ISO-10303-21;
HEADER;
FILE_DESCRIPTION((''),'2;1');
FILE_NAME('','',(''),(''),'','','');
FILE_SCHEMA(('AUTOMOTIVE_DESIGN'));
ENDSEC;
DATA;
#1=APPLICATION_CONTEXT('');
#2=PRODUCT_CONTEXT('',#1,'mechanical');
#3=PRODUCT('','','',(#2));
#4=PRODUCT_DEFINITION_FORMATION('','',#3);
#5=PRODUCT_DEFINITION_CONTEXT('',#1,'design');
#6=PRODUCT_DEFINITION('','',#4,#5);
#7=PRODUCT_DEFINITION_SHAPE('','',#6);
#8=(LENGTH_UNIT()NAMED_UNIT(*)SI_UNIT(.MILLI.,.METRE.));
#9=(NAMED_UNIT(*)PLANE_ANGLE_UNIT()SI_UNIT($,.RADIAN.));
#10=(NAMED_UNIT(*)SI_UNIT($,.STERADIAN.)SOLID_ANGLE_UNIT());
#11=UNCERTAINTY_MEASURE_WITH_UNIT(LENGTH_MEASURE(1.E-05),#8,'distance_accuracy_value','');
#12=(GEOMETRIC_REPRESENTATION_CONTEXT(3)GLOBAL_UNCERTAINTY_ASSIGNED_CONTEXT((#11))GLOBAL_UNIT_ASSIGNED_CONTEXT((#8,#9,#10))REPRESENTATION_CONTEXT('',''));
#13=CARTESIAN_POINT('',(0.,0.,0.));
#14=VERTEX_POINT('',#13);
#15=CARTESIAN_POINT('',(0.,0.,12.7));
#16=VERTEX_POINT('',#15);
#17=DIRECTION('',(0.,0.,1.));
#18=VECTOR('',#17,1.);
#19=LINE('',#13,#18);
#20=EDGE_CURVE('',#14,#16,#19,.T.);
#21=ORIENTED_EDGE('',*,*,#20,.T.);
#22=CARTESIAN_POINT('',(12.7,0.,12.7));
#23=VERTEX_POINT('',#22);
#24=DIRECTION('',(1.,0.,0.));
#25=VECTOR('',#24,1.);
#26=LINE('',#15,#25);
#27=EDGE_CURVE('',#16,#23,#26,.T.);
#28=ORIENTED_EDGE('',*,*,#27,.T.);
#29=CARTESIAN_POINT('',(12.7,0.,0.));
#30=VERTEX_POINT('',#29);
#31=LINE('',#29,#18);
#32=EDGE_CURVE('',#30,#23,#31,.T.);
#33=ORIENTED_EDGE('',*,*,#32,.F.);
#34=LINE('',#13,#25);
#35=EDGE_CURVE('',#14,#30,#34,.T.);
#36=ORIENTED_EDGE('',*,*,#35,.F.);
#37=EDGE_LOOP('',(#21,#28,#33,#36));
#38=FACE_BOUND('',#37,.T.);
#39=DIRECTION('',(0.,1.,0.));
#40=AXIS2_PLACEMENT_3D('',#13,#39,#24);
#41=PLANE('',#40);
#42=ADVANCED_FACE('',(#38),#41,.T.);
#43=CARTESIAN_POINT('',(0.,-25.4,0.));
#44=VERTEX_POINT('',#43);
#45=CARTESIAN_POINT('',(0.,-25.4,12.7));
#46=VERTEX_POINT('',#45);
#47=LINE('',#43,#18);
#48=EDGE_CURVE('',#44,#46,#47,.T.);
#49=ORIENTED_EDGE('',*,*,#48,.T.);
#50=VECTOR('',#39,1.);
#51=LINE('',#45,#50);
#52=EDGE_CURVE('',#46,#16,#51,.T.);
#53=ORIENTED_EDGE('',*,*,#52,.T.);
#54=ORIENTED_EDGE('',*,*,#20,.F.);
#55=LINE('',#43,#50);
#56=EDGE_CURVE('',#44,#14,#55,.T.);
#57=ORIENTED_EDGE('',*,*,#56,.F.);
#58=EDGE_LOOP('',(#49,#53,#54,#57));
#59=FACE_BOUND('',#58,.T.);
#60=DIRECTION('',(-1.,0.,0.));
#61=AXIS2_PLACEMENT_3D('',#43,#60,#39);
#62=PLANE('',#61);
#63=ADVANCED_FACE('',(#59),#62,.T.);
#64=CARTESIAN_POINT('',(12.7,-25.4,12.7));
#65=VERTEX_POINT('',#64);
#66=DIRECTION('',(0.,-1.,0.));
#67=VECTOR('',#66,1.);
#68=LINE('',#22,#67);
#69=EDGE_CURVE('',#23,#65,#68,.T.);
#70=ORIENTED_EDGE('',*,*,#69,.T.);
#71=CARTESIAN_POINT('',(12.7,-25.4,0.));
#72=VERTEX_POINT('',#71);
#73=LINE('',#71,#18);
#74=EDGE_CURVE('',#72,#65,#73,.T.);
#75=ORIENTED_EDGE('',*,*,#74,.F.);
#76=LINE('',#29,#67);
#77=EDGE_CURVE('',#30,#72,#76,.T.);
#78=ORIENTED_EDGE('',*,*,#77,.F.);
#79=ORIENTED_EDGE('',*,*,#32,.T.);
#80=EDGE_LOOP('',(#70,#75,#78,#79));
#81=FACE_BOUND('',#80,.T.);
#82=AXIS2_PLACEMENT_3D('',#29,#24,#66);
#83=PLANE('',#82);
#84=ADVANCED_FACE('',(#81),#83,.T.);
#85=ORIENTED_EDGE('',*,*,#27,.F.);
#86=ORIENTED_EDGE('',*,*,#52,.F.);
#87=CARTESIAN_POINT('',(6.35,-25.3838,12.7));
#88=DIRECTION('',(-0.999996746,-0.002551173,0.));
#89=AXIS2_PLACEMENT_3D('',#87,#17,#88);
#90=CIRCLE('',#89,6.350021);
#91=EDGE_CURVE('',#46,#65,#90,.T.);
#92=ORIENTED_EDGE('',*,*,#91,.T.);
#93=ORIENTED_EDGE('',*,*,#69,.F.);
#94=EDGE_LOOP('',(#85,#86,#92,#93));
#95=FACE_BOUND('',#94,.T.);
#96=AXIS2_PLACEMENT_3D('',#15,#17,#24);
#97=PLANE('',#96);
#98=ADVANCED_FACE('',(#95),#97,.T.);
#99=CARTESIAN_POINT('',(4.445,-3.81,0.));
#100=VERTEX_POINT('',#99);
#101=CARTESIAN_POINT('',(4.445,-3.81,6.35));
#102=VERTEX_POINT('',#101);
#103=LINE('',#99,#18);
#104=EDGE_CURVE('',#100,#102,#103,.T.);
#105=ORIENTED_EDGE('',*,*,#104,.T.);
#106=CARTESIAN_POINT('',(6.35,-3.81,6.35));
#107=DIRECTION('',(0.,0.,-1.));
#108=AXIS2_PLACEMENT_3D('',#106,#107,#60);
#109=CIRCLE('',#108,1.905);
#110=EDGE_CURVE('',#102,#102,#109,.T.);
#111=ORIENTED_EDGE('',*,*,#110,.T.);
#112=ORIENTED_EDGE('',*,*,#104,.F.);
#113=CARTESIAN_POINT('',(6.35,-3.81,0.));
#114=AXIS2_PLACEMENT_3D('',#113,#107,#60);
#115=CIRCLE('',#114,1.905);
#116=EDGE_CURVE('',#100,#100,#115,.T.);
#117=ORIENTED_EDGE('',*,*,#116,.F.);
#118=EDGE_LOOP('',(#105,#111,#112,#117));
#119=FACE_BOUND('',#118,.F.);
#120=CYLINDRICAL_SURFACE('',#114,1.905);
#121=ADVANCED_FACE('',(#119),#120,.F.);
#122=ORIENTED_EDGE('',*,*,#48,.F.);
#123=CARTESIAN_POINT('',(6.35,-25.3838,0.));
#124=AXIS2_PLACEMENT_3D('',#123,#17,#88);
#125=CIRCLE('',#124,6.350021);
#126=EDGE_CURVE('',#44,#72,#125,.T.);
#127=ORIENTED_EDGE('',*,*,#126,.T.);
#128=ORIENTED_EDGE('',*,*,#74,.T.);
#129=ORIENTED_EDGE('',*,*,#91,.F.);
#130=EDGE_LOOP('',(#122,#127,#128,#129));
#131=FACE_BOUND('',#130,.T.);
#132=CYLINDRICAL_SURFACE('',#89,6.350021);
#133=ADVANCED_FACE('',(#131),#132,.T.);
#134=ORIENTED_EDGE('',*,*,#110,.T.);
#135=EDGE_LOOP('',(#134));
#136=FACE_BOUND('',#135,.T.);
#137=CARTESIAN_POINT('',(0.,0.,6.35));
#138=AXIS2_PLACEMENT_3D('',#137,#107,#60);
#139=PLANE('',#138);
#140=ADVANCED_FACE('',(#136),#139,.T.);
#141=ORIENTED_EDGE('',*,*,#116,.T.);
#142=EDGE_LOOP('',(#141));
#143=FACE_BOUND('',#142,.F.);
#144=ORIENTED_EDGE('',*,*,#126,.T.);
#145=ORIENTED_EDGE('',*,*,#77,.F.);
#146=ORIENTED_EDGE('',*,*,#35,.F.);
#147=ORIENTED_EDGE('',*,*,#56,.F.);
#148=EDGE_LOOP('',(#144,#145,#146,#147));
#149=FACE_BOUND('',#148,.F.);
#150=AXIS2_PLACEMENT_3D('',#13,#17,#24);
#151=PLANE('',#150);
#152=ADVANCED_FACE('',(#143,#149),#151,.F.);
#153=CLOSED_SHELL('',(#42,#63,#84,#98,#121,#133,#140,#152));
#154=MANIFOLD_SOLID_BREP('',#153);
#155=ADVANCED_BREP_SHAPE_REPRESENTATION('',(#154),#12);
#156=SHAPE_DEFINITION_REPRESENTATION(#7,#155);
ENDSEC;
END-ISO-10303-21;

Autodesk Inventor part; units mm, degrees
ref_plane "YZ Plane" through (0, 0, 0) normal (1, 0, 0) x (0, 1, 0)
ref_plane "XZ Plane" through (0, 0, 0) normal (0, 1, 0) x (-1, 0, 0)
ref_plane "XY Plane" through (0, 0, 0) normal (0, 0, 1) x (1, 0, 0)
sketch "Sketch1" plane through (0, 0, 0) normal (0, 0, 1) x (1, 0, 0)
  line L0 (0, 0) -> (12.7, 0)
  line L1 (12.7, 0) -> (12.7, -25.4)
  line L2 (12.7, -25.4) -> (0, -25.4)
  line L3 (0, -25.4) -> (0, 0)
  dimension "d0" = 25.4
  dimension "d1" = 12.7
extrude "Extrusion1" add sketch "Sketch1" along normal blind 12.7
sketch "Sketch2" plane through (0, 0, 12.7) normal (0, 0, 1) x (1, 0, 0)
  line L0 (0, -25.4) -> (12.7, -25.4) projected
  arc A0 (0, -25.4) -> (12.7, -25.4) centre (6.35, -25.3838) ccw
  point P0 (0, 0)
extrude "Extrusion2" add sketch "Sketch2" against normal blind 12.7
sketch "Sketch3" plane through (0, 0, 0) normal (0, 0, -1) x (-1, 0, 0)
  line L0 (-12.7, 0) -> (0, 0) construction
  line L1 (-6.35, 0) -> (-6.35, -3.81) construction
  circle A0 centre (-6.35, -3.81) radius 1.905
  dimension "d7" = 3.81
  dimension "d8" = 3.81
extrude "Extrusion3" cut sketch "Sketch3" against normal blind 6.35
properties part number "Finger"
